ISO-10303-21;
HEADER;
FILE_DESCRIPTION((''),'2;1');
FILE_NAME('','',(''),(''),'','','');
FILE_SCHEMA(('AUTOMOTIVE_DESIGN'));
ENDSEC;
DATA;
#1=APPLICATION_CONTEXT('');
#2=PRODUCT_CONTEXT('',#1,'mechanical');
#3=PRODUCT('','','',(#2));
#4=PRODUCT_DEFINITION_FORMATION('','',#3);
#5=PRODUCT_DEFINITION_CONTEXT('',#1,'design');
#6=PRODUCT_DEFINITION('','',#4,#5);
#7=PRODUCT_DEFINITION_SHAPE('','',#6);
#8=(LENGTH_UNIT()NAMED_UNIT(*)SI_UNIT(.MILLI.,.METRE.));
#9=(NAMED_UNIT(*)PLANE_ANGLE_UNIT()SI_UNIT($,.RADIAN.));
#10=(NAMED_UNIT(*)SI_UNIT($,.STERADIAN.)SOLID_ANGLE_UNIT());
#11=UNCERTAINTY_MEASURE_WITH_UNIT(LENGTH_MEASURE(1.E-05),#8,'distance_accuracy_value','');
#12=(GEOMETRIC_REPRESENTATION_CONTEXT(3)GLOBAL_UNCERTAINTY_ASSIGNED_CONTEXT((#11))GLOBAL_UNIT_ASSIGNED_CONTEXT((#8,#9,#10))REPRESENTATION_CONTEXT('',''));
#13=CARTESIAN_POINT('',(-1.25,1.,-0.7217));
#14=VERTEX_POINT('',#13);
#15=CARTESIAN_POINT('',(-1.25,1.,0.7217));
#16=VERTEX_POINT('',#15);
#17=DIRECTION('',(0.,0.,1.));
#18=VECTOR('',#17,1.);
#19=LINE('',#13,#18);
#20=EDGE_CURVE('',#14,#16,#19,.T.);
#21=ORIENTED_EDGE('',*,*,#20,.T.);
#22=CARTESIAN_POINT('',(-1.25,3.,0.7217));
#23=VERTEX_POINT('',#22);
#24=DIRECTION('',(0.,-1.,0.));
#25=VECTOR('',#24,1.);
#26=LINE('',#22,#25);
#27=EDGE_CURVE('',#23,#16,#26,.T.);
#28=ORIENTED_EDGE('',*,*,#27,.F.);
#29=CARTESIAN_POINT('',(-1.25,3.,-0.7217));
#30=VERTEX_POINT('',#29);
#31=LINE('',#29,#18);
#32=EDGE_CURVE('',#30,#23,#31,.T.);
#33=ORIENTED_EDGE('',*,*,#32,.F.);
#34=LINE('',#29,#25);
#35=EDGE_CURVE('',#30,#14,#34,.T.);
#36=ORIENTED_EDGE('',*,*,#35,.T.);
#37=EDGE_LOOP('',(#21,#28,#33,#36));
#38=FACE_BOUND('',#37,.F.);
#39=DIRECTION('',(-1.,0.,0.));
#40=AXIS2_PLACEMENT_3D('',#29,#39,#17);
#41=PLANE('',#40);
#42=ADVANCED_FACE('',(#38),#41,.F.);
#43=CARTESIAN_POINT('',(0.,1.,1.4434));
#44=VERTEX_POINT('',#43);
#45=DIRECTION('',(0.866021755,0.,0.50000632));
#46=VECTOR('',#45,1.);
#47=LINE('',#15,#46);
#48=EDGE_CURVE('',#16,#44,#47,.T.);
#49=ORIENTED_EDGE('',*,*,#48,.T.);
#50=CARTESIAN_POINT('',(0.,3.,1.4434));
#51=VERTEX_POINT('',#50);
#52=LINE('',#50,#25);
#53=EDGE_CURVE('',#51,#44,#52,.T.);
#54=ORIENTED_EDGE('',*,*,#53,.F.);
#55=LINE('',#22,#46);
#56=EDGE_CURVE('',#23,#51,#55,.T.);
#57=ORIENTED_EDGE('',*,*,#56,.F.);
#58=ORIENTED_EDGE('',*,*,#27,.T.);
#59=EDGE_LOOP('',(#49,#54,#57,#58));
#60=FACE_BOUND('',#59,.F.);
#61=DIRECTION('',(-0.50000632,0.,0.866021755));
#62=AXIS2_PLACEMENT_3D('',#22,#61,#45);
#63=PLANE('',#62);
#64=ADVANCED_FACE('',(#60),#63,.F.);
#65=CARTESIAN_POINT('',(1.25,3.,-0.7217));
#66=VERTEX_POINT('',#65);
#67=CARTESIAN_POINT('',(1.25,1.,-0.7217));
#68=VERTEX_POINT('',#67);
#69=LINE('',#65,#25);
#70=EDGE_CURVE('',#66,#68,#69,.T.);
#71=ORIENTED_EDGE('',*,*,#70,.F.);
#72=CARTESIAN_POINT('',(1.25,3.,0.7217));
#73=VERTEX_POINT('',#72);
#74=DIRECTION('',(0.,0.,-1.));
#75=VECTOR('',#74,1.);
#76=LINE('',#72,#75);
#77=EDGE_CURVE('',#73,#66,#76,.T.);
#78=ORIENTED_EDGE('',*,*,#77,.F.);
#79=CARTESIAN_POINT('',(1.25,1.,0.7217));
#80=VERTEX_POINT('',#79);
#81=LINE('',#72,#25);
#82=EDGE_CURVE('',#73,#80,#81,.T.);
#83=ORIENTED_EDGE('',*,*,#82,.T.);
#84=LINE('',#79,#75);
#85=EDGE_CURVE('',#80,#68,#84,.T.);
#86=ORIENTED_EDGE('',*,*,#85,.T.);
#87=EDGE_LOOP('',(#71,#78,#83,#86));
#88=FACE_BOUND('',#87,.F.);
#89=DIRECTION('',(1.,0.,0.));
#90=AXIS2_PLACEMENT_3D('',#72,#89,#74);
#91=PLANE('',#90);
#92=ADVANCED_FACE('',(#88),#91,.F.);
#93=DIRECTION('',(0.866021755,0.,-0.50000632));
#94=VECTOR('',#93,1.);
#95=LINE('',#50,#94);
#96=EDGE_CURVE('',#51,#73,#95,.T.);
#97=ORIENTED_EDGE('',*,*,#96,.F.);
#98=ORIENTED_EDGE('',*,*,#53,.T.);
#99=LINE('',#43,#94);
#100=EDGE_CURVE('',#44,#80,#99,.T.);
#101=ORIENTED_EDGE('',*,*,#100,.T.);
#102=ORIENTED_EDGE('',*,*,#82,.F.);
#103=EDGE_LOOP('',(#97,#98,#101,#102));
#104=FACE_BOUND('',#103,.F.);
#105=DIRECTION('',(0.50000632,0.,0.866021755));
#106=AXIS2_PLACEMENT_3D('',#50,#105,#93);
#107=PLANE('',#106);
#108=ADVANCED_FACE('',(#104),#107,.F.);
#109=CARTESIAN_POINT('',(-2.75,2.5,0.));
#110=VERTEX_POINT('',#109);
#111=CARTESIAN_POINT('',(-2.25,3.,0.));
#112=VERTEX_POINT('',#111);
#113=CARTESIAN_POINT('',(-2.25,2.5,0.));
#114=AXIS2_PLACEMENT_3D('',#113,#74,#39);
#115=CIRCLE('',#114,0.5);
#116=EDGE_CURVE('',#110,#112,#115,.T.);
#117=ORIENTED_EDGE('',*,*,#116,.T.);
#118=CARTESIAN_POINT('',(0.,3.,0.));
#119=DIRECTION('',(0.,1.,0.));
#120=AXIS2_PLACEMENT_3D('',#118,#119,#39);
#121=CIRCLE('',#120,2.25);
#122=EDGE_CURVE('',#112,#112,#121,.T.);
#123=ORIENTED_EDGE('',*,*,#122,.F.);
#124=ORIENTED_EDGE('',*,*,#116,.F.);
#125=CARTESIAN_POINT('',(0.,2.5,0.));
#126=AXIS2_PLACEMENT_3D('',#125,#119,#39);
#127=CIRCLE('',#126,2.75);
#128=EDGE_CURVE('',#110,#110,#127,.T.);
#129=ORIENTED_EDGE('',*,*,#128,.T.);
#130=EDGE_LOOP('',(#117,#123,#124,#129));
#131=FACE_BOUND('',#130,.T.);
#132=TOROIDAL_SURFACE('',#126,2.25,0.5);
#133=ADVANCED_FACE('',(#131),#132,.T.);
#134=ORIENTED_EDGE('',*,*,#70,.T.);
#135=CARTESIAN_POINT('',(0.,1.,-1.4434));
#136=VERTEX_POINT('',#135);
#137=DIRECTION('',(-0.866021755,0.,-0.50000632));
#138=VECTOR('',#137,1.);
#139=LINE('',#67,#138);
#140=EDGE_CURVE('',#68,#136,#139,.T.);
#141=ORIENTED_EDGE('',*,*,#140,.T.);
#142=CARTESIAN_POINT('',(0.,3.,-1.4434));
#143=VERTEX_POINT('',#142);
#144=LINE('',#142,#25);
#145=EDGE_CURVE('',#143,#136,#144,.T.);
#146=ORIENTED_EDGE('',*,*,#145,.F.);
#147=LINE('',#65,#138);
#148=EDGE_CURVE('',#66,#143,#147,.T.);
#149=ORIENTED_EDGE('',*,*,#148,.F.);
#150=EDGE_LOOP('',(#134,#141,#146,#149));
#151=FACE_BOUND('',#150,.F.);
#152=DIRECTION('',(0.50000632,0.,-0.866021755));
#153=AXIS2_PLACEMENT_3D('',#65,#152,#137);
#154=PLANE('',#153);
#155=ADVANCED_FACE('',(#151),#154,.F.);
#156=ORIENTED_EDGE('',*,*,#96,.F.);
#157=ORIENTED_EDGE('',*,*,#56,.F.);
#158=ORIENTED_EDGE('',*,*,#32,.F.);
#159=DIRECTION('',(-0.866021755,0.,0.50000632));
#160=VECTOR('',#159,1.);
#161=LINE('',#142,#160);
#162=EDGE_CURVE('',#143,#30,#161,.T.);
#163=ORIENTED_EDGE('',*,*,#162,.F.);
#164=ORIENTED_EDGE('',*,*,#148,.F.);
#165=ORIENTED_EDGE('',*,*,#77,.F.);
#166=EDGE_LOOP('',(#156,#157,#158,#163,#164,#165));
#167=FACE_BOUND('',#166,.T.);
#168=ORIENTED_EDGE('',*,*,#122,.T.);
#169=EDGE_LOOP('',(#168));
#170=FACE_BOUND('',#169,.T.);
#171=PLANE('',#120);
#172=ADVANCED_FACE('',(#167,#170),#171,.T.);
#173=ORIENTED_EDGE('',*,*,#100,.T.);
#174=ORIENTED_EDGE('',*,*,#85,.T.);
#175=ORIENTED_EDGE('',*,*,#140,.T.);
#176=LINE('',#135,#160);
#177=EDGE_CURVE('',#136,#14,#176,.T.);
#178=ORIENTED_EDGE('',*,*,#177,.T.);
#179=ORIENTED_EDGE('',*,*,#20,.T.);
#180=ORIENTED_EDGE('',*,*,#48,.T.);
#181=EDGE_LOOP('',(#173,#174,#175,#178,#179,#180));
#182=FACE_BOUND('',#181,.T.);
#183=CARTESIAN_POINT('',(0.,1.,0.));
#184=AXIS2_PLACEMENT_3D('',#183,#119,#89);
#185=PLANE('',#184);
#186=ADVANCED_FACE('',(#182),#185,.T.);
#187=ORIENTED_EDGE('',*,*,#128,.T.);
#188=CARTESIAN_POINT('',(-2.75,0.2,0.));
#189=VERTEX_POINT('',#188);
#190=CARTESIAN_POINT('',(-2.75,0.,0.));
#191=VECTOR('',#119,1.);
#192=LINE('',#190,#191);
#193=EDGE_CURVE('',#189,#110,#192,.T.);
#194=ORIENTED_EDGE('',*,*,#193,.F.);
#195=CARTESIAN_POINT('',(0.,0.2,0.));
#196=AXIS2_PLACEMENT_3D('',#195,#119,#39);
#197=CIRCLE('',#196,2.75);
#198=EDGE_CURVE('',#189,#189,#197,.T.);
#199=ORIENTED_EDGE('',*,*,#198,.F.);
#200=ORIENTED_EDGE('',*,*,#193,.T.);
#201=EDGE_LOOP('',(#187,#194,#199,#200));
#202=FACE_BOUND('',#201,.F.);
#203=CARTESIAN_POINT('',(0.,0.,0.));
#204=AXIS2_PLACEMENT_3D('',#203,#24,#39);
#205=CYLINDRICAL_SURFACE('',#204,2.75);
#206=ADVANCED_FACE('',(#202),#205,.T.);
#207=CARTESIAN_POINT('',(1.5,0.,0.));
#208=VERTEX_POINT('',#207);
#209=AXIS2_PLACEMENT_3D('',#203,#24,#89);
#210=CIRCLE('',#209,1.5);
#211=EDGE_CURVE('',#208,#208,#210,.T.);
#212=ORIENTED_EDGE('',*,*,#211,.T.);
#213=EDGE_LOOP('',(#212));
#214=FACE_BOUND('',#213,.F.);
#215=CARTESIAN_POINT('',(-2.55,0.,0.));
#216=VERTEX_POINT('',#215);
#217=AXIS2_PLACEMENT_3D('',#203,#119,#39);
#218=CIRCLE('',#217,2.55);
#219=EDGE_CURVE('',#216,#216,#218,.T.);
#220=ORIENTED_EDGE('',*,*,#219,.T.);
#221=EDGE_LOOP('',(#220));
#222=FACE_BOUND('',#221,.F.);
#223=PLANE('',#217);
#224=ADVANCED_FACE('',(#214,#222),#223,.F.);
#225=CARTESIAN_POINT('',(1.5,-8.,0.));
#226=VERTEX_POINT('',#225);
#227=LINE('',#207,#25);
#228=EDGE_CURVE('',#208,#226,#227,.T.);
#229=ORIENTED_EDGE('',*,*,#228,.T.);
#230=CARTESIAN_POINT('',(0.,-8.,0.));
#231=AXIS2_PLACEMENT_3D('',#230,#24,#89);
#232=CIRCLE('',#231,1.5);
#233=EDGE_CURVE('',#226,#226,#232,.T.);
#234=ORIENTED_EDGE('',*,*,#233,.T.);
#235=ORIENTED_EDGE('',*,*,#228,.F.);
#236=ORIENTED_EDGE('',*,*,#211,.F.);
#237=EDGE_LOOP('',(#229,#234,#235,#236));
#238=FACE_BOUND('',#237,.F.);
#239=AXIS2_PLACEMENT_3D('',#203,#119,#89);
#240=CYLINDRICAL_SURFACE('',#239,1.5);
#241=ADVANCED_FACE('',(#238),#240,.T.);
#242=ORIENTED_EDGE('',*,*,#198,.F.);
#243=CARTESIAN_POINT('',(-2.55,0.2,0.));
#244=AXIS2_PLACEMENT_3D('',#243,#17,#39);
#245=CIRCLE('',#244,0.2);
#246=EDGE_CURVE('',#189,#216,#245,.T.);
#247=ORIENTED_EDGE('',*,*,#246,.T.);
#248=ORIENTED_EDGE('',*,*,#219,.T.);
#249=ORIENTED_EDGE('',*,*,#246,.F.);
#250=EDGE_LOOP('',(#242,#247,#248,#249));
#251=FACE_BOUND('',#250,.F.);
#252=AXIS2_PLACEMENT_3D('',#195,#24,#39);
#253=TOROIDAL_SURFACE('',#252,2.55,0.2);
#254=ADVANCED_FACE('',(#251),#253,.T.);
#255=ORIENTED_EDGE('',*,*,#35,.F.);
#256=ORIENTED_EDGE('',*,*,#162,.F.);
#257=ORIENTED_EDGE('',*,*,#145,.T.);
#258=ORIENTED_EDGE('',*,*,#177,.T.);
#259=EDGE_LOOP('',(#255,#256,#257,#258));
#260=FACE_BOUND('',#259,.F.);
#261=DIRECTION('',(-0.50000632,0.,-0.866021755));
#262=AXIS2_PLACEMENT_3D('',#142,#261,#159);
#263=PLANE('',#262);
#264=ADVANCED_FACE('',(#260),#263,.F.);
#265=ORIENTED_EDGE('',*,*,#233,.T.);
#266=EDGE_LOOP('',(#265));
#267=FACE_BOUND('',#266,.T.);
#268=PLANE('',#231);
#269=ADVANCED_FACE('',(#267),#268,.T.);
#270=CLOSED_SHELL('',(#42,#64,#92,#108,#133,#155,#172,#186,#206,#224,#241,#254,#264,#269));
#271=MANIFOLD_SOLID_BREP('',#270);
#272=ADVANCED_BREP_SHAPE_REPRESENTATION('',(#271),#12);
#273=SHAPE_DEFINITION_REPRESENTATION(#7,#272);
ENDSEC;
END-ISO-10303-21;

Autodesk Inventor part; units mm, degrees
ref_plane "YZ Plane" through (0, 0, 0) normal (1, 0, 0) x (0, 1, 0)
ref_plane "XZ Plane" through (0, 0, 0) normal (0, 1, 0) x (-1, 0, 0)
ref_plane "XY Plane" through (0, 0, 0) normal (0, 0, 1) x (1, 0, 0)
sketch "スケッチ1" plane through (0, 0, 0) normal (0, 1, 0) x (-1, 0, 0)
  circle A0 centre (0, 0) radius 2.75
  dimension "d0" = 5.5
extrude "押し出し1" add sketch "スケッチ1" along normal blind 3
sketch "スケッチ2" plane through (0, 0, 0) normal (0, -1, 0) x (1, 0, 0)
  circle A0 centre (0, 0) radius 1.5
  dimension "d3" = 3
extrude "押し出し2" add sketch "スケッチ2" along normal blind 8
fillet "フィレット1" radius 0.5 1 edges at (2.75, 3, 0)
fillet "フィレット1" radius 0.2 1 edges at (2.75, 0, 0)
sketch "スケッチ3" plane through (0, 3, 0) normal (0, 1, 0) x (1, 0, 0)
  line L0 (0, 1.4434) -> (-1.25, 0.7217)
  line L1 (-1.25, 0.7217) -> (-1.25, -0.7217)
  line L2 (-1.25, -0.7217) -> (0, -1.4434)
  line L3 (0, -1.4434) -> (1.25, -0.7217)
  line L4 (1.25, -0.7217) -> (1.25, 0.7217)
  line L5 (1.25, 0.7217) -> (0, 1.4434)
  line L6 (0, 1.4434) -> (0, -1.4434) construction
  circle A0 centre (0, 0) radius 1.4434 construction
  dimension "d12" = 2.5
extrude "押し出し3" cut sketch "スケッチ3" against normal blind 2
thread "ねじ1" size "M3x0.5" class "6g" standard "ANSI Metric M Profile" full length
properties part number "M3-CapScrew"
